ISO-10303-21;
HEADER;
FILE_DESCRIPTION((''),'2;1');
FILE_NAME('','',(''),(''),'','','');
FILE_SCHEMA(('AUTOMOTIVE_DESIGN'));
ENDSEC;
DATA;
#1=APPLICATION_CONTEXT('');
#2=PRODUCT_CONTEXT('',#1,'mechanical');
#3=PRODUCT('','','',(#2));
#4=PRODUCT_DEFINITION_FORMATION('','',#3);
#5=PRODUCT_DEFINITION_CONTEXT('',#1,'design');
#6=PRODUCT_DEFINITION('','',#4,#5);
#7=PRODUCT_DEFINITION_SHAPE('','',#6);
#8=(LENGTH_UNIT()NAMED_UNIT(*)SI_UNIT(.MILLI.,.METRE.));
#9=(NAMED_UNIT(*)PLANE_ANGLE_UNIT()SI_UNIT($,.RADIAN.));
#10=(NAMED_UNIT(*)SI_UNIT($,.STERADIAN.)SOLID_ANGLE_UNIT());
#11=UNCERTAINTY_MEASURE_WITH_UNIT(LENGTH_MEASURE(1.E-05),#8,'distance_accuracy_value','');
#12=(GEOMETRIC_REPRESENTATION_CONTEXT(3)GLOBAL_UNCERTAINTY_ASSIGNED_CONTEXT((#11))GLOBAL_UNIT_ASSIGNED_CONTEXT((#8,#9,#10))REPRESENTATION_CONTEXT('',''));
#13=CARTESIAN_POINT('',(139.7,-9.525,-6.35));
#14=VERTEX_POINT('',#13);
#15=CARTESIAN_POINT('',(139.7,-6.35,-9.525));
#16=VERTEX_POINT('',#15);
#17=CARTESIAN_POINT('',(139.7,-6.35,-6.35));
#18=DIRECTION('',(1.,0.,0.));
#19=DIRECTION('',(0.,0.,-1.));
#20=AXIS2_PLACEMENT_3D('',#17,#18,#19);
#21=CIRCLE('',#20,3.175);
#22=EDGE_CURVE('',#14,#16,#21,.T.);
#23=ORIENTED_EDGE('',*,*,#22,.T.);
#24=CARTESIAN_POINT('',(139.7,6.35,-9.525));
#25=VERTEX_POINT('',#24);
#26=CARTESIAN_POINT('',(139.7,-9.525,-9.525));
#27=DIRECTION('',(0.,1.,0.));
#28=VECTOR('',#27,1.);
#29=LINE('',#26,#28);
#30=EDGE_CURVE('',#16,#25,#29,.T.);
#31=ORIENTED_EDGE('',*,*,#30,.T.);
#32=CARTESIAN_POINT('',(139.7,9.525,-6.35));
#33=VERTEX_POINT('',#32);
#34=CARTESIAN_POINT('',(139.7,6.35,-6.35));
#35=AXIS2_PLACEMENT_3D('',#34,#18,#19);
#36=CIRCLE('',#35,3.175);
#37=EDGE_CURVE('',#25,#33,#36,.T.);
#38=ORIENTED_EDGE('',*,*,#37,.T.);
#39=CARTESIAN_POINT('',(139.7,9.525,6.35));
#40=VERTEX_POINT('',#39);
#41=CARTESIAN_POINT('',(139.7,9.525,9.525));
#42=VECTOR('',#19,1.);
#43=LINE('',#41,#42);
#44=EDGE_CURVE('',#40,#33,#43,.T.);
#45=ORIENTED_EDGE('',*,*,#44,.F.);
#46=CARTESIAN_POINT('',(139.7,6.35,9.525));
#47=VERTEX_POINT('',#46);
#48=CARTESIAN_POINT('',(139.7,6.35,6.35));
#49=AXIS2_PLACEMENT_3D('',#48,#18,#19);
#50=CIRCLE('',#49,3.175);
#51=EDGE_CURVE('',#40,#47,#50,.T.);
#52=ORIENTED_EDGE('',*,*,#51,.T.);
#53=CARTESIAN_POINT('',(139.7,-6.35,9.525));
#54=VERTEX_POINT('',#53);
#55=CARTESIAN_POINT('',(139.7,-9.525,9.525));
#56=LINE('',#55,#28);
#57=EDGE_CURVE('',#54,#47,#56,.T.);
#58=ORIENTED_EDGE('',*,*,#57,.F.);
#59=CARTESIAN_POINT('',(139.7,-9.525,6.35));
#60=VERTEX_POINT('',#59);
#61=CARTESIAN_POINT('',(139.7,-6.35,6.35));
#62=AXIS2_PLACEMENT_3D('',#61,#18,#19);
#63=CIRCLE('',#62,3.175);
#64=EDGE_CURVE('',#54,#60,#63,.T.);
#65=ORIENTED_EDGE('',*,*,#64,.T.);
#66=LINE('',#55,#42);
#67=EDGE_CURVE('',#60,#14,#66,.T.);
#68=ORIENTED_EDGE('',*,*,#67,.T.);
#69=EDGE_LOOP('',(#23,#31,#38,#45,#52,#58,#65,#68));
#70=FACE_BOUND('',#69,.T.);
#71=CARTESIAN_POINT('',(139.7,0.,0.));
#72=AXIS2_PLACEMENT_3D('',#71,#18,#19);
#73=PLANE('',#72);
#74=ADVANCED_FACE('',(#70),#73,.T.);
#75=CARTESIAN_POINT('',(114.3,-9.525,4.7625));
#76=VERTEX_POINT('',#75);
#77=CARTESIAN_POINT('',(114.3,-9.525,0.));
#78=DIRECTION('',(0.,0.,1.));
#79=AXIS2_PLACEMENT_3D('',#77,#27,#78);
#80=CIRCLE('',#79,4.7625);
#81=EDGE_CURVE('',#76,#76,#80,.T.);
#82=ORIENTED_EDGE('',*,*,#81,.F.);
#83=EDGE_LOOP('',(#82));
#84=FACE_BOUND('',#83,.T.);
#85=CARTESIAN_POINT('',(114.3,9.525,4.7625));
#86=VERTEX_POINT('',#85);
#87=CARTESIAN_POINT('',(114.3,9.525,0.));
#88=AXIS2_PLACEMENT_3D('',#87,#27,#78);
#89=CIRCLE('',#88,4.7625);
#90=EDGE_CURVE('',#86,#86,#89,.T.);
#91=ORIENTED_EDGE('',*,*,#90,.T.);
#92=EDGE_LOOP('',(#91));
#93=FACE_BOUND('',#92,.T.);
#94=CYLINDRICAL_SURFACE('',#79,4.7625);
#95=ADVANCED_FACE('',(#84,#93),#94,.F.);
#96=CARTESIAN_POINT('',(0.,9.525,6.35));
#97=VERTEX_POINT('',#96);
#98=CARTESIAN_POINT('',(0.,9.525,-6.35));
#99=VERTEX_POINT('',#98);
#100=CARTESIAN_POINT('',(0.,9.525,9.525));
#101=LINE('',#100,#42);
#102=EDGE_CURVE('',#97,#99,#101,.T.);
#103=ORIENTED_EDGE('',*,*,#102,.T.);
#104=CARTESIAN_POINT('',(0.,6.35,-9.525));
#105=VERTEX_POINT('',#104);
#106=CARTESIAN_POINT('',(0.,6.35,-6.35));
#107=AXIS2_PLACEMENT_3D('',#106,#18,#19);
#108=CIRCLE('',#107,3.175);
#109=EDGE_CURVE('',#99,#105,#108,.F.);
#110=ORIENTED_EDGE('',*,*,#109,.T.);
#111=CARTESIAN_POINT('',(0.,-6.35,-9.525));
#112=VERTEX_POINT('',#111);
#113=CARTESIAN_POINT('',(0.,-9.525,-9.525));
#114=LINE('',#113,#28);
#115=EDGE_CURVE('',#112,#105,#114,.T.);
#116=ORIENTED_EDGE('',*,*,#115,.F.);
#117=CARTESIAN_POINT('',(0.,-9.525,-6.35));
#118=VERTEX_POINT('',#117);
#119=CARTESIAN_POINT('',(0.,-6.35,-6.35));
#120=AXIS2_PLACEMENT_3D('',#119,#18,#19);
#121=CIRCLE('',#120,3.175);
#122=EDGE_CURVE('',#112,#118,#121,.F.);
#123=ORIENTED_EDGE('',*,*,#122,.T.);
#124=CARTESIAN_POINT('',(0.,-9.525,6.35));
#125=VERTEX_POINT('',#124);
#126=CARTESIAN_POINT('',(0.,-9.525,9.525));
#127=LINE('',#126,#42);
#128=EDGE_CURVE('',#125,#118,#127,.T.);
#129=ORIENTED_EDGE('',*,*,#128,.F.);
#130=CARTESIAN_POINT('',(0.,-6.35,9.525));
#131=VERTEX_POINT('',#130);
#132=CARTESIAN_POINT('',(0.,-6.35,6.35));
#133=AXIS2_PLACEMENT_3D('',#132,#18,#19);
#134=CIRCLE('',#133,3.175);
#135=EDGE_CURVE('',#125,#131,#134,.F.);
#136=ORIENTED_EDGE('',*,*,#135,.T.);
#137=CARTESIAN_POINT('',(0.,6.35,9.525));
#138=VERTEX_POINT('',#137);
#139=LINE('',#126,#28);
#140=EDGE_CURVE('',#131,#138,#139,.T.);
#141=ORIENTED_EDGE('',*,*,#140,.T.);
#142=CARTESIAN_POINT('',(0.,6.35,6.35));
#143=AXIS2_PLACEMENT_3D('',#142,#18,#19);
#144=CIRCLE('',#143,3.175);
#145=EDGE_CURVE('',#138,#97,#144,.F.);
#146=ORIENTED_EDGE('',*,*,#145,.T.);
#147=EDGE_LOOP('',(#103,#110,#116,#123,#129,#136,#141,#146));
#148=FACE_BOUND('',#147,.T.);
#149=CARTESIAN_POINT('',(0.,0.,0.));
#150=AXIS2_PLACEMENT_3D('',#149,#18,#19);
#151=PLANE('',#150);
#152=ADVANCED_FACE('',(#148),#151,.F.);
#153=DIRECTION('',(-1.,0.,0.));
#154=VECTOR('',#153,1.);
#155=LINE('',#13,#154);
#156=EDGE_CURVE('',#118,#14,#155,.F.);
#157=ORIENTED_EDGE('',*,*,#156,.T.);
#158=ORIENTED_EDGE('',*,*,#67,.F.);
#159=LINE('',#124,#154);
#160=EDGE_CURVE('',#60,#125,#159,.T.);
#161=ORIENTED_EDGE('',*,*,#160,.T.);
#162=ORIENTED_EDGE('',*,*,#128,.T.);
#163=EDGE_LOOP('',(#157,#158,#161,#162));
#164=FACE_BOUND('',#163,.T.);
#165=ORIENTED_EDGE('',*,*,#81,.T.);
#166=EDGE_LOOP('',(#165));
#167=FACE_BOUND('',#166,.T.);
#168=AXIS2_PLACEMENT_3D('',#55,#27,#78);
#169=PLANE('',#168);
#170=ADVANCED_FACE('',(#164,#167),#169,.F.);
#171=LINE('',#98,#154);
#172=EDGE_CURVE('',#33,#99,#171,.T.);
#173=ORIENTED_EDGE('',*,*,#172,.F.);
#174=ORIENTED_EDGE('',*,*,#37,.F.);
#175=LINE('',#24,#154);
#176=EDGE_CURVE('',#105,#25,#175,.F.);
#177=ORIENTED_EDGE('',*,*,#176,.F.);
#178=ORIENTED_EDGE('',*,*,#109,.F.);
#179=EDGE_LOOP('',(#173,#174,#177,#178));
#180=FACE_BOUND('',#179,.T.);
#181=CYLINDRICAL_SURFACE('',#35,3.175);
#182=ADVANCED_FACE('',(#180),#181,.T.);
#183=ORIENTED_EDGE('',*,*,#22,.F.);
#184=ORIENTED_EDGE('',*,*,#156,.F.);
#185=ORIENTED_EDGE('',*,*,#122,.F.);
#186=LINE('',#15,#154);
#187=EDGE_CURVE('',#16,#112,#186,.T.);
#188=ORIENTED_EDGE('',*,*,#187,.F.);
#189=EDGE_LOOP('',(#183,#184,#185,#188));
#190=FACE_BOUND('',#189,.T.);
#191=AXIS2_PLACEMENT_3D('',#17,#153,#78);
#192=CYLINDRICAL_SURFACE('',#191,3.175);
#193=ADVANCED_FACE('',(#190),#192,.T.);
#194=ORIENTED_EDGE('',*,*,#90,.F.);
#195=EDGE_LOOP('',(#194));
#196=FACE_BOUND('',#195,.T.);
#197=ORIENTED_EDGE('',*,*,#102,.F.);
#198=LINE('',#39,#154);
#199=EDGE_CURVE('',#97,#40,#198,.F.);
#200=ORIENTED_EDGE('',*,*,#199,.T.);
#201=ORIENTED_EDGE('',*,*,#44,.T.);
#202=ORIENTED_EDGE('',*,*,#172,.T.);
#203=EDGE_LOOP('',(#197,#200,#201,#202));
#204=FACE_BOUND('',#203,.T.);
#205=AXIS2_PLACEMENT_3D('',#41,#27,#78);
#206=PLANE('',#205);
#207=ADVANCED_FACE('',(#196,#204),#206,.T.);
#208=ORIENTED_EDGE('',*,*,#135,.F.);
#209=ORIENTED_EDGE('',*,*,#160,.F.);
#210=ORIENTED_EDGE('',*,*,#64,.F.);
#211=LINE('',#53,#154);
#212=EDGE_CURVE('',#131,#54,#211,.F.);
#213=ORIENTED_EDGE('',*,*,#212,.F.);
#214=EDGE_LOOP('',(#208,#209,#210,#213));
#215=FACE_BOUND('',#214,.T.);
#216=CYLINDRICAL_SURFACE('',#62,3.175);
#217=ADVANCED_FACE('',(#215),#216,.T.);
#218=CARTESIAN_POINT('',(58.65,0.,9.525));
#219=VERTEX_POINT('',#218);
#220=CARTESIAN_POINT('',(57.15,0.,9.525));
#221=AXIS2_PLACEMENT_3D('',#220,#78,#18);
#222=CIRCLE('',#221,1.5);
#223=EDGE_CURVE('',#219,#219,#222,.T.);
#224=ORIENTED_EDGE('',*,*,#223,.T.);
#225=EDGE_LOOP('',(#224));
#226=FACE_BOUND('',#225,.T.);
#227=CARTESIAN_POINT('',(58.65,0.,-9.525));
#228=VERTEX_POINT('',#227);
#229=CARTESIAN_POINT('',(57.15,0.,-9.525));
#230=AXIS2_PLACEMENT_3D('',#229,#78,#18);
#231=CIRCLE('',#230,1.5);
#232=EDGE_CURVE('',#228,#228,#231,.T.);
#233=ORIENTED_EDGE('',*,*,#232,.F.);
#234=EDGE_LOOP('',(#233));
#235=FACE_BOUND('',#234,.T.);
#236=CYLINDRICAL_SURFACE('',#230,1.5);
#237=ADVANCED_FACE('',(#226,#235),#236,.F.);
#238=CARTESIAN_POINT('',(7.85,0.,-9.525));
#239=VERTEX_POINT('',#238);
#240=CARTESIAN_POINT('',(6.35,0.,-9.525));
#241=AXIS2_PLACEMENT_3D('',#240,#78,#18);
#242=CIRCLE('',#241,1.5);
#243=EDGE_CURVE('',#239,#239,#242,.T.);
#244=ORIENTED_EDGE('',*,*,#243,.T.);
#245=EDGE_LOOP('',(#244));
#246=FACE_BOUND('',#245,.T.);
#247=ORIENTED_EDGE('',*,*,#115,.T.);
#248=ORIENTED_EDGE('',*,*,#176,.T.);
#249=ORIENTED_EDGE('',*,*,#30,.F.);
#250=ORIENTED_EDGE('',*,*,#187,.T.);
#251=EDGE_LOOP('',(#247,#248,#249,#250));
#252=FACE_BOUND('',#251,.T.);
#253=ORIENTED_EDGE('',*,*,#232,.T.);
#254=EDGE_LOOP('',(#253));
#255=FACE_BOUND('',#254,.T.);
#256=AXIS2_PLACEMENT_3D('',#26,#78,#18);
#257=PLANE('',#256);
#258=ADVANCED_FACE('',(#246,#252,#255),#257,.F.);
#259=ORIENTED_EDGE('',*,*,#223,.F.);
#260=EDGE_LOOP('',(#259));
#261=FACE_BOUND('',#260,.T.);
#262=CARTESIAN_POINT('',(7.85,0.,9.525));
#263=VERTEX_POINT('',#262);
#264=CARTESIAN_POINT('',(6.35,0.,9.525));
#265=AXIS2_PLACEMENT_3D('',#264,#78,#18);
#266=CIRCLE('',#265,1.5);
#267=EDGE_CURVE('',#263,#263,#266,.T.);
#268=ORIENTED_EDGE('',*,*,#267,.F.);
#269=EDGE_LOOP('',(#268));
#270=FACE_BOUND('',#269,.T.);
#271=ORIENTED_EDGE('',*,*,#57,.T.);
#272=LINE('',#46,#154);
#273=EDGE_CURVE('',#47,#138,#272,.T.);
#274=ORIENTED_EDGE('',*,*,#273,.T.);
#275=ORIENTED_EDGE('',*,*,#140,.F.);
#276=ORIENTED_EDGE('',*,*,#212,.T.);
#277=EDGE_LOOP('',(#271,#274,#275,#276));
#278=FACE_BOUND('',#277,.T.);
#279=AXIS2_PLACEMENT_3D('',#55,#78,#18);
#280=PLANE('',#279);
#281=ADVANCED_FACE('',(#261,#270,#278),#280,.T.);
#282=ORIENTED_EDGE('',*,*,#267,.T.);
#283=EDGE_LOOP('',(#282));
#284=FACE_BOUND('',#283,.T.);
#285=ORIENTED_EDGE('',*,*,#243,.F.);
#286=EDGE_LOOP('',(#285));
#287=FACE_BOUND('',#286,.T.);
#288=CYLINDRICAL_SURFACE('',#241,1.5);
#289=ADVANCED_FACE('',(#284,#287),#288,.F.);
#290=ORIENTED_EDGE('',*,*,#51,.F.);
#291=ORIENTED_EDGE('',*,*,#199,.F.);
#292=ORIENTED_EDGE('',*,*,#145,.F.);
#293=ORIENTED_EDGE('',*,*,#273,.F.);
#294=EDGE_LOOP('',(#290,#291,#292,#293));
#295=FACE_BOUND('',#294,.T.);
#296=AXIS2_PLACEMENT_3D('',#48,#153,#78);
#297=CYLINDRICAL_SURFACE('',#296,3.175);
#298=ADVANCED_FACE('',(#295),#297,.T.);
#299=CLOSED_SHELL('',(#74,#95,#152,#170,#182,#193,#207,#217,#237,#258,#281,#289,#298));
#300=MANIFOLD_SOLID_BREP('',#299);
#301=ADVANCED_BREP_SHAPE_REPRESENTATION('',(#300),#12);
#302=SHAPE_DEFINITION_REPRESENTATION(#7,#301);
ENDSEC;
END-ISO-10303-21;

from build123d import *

# Parameters (mm, degrees)
SKETCH1_W           = 19.05
SKETCH1_H           = 19.05
BOSS_EXTRUDE1_DEPTH = 139.7
SKETCH2_R           = 4.7625
CUT_EXTRUDE1_DEPTH  = 20.05
SKETCH3_R           = 1.5
CUT_EXTRUDE2_DEPTH  = 20.05
FILLET1_R           = 3.175


with BuildPart() as part:
    # Sketch1 → Boss-Extrude1 (new body)
    with BuildSketch(Plane(origin=(0, 0, 0), x_dir=(0, 0, -1), z_dir=(1, 0, 0))):
        Rectangle(SKETCH1_W, SKETCH1_H)
    extrude(amount=BOSS_EXTRUDE1_DEPTH)

    # Sketch2 → Cut-Extrude1 (cut, through all)
    with BuildSketch(Plane(origin=(0, 9.525, 0), x_dir=(1, 0, 0), z_dir=(0, 1, 0))):
        with Locations((114.3, 0)):
            Circle(SKETCH2_R)
    extrude(amount=-CUT_EXTRUDE1_DEPTH, mode=Mode.SUBTRACT)

    # Sketch3 → Cut-Extrude2 (cut, through all)
    with BuildSketch(Plane.XY.offset(9.525)):
        with Locations((6.35, 0)):
            Circle(SKETCH3_R)
        with Locations((57.15, 0)):
            Circle(SKETCH3_R)
    extrude(amount=-CUT_EXTRUDE2_DEPTH, mode=Mode.SUBTRACT)

    # Fillet1
    fillet1_edges = [part.edges().sort_by_distance(p)[0] for p in [
        (69.85, -9.525, 9.525),
        (69.85, 9.525, 9.525),
        (69.85, 9.525, -9.525),
        (69.85, -9.525, -9.525),
    ]]
    fillet(fillet1_edges, radius=FILLET1_R)


solid = part.part
